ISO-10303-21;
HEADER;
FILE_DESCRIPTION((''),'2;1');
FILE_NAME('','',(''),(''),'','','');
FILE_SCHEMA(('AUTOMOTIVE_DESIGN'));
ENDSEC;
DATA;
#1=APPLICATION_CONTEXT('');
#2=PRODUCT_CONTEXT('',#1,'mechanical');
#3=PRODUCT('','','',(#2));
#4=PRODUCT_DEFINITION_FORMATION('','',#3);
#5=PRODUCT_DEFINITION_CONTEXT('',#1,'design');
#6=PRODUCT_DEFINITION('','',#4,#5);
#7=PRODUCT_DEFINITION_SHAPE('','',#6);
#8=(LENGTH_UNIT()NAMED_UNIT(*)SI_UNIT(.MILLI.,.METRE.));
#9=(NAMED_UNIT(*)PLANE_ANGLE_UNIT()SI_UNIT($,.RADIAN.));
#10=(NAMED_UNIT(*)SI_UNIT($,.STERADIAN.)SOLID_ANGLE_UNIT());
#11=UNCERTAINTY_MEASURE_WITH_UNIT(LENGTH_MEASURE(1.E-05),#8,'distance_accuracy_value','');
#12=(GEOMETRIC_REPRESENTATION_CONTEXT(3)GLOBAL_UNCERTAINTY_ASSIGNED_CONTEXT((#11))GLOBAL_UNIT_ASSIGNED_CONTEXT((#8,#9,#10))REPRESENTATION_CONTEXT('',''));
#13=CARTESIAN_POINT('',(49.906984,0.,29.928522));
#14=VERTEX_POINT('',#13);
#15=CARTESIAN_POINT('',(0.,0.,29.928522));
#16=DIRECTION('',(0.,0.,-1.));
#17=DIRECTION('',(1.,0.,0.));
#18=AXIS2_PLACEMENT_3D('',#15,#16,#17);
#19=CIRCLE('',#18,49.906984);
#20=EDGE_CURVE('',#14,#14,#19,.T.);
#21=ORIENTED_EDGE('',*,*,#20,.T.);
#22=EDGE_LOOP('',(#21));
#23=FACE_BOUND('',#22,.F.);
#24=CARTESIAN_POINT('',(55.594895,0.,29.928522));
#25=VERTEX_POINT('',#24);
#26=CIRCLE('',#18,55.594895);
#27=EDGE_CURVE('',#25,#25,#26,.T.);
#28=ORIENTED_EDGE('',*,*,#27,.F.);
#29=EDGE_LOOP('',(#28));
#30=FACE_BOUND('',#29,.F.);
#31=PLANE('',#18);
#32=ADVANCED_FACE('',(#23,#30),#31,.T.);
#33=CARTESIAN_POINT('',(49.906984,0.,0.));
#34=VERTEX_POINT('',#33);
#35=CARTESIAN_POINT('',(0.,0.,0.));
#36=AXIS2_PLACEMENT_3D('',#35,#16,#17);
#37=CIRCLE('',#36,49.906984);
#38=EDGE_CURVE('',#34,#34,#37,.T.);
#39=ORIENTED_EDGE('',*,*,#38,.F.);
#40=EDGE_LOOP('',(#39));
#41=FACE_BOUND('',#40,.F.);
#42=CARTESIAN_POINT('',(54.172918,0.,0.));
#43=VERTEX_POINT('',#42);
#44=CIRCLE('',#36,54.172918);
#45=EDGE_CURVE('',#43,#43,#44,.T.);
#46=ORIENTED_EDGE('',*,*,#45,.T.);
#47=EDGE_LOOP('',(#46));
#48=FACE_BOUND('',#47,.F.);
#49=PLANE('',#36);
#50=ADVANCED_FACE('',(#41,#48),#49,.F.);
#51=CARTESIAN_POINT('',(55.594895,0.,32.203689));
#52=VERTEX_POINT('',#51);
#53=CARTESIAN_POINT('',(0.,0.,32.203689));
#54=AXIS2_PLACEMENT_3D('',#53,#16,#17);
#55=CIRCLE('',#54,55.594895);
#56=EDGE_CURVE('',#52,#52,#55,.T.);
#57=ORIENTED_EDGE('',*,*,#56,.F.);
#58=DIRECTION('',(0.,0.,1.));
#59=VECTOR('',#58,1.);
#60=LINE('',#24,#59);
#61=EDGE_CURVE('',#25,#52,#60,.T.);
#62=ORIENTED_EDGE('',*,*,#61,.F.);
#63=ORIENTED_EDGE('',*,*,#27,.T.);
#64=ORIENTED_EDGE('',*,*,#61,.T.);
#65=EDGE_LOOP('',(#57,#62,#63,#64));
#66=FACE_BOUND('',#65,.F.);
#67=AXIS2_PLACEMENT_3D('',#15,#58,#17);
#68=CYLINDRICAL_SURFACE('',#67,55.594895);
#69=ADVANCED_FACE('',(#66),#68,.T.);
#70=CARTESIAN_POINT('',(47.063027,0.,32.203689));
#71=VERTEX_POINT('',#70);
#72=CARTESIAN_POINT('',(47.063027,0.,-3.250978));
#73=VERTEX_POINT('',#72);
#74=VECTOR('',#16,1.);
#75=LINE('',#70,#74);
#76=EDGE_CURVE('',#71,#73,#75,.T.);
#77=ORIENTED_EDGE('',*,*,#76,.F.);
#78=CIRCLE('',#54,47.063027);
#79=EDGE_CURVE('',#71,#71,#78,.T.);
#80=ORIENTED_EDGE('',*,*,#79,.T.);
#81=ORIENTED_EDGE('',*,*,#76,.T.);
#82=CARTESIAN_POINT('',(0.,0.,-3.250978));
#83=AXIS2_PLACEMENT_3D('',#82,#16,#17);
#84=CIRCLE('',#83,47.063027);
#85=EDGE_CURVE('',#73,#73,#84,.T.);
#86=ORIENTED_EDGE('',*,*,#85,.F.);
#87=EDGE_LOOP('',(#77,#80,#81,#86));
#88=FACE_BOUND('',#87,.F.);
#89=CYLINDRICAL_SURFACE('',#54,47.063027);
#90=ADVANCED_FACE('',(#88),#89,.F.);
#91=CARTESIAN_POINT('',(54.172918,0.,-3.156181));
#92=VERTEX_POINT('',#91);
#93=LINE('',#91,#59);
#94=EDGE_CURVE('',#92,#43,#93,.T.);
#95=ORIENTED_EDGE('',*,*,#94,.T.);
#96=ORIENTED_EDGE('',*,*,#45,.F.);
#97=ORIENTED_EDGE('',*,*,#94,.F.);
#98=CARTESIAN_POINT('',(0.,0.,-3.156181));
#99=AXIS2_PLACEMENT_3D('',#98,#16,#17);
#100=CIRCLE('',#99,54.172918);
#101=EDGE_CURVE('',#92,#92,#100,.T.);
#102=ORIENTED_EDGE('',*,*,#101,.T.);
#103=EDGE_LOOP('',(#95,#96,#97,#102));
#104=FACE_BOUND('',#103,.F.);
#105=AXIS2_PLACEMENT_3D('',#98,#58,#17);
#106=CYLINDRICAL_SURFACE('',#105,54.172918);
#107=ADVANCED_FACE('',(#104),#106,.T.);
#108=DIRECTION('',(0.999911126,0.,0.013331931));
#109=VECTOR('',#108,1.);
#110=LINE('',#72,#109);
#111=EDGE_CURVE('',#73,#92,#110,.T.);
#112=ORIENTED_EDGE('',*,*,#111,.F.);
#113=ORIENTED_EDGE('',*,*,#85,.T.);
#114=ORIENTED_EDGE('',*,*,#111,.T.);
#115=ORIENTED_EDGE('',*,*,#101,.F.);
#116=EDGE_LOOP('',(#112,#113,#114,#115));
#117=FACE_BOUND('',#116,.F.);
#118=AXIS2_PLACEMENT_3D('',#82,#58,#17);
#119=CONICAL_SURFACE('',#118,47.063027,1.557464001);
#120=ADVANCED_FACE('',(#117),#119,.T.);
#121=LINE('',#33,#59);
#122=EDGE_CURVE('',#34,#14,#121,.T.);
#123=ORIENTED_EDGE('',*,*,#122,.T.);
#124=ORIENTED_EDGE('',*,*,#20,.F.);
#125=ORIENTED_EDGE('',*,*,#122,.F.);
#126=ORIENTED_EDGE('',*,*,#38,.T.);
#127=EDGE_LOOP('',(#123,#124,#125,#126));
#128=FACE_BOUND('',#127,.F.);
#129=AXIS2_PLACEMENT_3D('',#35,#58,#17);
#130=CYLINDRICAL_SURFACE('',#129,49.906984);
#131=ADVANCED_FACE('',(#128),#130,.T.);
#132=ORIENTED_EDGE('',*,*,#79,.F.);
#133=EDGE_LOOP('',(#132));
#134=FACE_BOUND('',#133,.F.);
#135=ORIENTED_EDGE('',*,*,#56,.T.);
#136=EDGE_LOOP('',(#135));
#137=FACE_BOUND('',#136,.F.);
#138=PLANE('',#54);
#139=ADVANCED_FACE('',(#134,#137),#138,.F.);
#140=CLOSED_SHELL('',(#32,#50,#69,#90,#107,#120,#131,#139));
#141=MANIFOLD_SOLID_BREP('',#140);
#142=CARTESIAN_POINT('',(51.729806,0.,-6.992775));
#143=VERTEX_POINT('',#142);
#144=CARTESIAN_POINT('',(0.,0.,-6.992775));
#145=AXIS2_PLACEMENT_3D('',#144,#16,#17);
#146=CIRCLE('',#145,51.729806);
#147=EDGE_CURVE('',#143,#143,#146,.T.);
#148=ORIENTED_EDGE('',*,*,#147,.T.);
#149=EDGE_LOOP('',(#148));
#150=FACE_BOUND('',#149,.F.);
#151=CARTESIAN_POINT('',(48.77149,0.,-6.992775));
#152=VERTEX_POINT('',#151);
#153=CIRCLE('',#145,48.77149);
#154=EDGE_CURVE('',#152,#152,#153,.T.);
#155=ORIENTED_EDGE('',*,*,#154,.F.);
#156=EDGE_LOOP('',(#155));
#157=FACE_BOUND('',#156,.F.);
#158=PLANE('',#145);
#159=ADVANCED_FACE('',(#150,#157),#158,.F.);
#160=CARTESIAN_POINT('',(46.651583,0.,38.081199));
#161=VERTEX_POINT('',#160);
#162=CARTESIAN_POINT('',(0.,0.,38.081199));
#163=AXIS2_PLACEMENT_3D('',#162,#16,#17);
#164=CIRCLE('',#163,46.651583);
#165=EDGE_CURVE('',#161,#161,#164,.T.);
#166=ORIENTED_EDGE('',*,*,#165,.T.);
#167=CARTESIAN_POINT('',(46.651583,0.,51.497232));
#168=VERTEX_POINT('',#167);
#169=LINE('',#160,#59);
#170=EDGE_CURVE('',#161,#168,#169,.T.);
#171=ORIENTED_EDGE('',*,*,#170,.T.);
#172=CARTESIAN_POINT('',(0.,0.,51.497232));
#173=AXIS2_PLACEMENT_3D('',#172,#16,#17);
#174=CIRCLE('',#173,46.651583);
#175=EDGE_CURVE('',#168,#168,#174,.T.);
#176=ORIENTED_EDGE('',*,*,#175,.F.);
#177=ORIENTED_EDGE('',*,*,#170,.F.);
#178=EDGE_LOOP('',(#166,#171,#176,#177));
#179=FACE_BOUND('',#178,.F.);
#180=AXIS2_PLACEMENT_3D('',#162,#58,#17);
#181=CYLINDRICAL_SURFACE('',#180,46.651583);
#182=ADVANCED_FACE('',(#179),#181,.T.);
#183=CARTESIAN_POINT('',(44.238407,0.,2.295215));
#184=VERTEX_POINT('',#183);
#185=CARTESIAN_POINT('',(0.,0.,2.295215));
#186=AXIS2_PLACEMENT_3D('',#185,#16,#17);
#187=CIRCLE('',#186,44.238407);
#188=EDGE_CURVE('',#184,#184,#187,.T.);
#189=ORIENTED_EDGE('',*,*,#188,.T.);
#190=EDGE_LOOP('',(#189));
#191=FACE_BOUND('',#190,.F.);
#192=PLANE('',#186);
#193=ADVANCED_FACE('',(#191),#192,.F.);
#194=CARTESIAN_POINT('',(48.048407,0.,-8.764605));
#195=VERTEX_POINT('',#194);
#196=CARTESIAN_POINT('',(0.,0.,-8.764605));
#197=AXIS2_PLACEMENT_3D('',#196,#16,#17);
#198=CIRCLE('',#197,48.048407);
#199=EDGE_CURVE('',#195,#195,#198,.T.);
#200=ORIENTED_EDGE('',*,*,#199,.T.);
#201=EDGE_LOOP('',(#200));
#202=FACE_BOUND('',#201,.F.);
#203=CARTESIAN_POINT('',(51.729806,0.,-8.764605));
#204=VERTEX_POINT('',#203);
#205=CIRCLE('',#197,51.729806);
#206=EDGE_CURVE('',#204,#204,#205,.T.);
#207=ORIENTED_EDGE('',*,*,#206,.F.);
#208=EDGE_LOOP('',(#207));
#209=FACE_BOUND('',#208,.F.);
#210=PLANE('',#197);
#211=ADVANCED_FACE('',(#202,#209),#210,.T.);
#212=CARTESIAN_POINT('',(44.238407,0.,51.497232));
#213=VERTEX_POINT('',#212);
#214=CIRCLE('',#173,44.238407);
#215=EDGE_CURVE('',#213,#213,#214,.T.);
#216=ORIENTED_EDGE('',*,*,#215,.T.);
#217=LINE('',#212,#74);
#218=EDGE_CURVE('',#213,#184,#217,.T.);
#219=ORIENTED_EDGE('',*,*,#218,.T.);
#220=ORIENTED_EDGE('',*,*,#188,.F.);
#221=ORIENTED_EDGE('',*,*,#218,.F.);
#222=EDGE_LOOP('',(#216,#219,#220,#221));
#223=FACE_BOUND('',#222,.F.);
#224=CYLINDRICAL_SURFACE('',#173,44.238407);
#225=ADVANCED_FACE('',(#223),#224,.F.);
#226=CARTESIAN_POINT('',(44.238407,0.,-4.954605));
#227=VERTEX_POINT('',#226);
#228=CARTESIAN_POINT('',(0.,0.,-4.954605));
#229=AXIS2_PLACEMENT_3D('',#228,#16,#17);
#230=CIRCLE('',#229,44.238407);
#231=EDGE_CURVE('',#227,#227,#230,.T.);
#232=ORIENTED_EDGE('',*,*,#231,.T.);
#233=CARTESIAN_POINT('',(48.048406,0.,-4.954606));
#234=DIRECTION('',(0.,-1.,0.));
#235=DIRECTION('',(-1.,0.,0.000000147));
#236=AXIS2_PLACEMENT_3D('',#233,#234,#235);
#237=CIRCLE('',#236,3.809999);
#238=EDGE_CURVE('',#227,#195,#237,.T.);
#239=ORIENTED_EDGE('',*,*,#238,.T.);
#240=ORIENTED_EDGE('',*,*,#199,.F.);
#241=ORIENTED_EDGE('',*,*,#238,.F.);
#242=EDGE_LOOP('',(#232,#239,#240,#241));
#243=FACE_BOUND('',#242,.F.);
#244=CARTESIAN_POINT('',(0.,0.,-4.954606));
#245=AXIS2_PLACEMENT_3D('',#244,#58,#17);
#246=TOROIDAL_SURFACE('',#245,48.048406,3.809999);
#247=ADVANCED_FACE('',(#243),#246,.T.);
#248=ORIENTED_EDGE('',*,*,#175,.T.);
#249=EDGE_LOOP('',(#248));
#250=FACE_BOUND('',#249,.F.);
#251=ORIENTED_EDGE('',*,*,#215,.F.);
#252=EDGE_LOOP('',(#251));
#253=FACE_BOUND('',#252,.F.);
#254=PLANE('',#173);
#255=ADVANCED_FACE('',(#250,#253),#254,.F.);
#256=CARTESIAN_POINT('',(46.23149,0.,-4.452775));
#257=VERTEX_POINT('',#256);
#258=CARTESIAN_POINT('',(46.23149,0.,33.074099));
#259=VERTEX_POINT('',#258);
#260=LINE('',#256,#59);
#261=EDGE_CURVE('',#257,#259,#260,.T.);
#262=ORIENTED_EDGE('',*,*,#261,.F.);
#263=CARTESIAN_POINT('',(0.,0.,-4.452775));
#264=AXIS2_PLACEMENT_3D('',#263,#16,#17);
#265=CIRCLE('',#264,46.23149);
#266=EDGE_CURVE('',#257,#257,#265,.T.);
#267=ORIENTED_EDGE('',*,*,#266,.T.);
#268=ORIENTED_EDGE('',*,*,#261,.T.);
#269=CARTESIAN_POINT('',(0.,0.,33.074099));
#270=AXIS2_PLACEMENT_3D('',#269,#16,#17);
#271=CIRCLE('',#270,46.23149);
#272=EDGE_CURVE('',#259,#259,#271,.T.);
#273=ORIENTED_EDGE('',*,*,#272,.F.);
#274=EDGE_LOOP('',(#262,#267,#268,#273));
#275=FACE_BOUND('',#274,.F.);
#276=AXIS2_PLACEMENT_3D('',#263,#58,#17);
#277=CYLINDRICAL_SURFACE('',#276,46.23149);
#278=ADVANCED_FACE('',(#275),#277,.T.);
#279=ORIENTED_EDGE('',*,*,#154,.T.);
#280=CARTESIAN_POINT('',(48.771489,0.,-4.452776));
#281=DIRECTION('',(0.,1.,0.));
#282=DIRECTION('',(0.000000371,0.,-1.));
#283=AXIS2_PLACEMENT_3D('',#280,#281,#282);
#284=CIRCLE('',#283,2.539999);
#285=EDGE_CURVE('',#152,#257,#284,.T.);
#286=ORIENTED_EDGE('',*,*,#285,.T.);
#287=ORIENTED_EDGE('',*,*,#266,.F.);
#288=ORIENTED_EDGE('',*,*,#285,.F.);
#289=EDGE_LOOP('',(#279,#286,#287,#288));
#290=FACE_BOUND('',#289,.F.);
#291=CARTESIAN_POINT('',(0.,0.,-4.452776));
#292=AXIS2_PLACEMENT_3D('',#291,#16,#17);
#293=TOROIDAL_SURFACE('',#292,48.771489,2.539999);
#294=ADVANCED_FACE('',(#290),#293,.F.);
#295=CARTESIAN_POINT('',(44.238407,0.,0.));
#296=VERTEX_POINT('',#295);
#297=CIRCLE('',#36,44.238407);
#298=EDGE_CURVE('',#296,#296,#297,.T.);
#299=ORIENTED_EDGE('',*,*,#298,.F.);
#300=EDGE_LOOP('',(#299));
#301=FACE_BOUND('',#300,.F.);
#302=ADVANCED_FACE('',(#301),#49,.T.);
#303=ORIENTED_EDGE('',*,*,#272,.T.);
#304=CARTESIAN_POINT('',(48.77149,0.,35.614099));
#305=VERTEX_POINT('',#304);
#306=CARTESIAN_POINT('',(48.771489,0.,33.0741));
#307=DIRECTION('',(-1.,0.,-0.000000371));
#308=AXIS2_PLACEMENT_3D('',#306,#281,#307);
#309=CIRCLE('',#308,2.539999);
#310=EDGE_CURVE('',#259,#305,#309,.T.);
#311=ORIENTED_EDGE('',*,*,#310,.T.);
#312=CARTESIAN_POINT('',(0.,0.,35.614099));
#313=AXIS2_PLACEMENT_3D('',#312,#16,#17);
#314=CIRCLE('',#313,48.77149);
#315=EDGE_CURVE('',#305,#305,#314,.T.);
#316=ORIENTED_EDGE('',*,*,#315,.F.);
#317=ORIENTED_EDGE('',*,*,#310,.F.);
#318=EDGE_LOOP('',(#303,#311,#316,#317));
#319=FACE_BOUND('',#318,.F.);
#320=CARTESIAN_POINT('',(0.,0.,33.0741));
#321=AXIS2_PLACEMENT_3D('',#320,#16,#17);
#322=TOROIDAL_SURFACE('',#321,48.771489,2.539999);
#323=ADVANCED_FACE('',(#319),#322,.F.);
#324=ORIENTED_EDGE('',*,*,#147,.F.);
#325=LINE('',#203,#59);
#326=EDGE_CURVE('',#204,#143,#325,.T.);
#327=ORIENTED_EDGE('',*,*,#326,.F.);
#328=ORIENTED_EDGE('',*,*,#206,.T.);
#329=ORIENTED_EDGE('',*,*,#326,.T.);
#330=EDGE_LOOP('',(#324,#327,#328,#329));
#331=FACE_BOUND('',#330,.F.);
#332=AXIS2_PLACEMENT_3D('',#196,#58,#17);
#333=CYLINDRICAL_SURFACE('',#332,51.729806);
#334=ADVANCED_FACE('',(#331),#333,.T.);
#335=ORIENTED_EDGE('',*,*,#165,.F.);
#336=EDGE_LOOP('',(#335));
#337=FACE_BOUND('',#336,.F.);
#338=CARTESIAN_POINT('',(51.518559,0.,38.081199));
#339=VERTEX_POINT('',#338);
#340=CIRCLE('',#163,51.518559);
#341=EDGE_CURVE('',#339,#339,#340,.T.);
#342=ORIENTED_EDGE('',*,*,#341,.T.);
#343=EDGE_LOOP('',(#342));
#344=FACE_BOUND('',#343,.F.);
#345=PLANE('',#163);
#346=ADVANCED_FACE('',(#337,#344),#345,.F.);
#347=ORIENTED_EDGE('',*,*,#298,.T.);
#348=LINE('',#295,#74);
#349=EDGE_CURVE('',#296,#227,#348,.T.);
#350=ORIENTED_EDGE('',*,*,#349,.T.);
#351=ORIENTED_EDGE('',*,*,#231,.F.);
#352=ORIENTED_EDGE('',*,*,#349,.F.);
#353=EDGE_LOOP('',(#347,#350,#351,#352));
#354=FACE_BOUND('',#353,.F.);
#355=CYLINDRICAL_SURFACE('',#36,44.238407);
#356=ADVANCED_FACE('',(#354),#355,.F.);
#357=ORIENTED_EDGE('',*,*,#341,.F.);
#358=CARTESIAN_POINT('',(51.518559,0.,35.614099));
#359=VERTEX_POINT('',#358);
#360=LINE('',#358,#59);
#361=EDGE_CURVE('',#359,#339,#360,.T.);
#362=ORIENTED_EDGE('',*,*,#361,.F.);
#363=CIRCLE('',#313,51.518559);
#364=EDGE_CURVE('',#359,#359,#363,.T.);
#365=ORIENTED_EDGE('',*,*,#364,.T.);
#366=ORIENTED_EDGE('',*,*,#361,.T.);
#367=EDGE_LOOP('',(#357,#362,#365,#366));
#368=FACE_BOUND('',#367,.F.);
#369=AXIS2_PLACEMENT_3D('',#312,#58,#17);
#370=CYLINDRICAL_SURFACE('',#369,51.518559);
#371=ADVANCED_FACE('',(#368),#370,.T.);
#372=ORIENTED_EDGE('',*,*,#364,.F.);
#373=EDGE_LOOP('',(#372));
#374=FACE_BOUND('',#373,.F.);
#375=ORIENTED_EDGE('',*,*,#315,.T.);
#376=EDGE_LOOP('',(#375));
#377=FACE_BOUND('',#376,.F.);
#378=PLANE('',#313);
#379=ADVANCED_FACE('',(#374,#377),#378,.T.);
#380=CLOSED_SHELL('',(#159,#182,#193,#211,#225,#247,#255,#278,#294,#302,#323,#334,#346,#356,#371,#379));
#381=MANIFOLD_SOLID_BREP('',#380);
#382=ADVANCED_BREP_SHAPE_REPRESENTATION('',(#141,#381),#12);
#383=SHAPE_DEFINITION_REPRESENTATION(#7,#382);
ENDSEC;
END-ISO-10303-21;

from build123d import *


with BuildPart() as f1:
    # F0 (on Front) → F1 (revolve)
    with BuildSketch(Plane.XZ):
        with BuildLine():
            Line((0, 2.295215), (0, 0))
            Line((0, 0), (44.238407, 0))
            Line((44.238407, 0), (44.238407, -4.954605))
            ThreePointArc((44.238407, -4.954605), (45.35433, -7.648682), (48.048407, -8.764605))
            Line((48.048407, -8.764605), (51.729806, -8.764605))
            Line((51.729806, -8.764605), (51.729806, -6.992775))
            Line((51.729806, -6.992775), (48.77149, -6.992775))
            ThreePointArc((48.77149, -6.992775), (46.975438, -6.248826), (46.23149, -4.452775))
            Line((46.23149, -4.452775), (46.23149, 33.074099))
            ThreePointArc((46.23149, 33.074099), (46.975438, 34.87015), (48.77149, 35.614099))
            Line((48.77149, 35.614099), (51.518559, 35.614099))
            Line((51.518559, 35.614099), (51.518559, 38.081199))
            Line((51.518559, 38.081199), (46.651583, 38.081199))
            Line((46.651583, 38.081199), (46.651583, 51.497232))
            Line((46.651583, 51.497232), (44.238407, 51.497232))
            Line((44.238407, 51.497232), (44.238407, 2.295215))
            Line((44.238407, 2.295215), (0, 2.295215))
        make_face()
        Polygon((47.063027, 32.203689), (47.063027, -3.250978), (54.172918, -3.156181), (54.172918, 0), (49.906984, 0), (49.906984, 29.928522), (55.594895, 29.928522), (55.594895, 32.203689), align=None)
    revolve(axis=Axis((0, 0, 1.147608), (0, 0, -1)))


solid = f1.part
